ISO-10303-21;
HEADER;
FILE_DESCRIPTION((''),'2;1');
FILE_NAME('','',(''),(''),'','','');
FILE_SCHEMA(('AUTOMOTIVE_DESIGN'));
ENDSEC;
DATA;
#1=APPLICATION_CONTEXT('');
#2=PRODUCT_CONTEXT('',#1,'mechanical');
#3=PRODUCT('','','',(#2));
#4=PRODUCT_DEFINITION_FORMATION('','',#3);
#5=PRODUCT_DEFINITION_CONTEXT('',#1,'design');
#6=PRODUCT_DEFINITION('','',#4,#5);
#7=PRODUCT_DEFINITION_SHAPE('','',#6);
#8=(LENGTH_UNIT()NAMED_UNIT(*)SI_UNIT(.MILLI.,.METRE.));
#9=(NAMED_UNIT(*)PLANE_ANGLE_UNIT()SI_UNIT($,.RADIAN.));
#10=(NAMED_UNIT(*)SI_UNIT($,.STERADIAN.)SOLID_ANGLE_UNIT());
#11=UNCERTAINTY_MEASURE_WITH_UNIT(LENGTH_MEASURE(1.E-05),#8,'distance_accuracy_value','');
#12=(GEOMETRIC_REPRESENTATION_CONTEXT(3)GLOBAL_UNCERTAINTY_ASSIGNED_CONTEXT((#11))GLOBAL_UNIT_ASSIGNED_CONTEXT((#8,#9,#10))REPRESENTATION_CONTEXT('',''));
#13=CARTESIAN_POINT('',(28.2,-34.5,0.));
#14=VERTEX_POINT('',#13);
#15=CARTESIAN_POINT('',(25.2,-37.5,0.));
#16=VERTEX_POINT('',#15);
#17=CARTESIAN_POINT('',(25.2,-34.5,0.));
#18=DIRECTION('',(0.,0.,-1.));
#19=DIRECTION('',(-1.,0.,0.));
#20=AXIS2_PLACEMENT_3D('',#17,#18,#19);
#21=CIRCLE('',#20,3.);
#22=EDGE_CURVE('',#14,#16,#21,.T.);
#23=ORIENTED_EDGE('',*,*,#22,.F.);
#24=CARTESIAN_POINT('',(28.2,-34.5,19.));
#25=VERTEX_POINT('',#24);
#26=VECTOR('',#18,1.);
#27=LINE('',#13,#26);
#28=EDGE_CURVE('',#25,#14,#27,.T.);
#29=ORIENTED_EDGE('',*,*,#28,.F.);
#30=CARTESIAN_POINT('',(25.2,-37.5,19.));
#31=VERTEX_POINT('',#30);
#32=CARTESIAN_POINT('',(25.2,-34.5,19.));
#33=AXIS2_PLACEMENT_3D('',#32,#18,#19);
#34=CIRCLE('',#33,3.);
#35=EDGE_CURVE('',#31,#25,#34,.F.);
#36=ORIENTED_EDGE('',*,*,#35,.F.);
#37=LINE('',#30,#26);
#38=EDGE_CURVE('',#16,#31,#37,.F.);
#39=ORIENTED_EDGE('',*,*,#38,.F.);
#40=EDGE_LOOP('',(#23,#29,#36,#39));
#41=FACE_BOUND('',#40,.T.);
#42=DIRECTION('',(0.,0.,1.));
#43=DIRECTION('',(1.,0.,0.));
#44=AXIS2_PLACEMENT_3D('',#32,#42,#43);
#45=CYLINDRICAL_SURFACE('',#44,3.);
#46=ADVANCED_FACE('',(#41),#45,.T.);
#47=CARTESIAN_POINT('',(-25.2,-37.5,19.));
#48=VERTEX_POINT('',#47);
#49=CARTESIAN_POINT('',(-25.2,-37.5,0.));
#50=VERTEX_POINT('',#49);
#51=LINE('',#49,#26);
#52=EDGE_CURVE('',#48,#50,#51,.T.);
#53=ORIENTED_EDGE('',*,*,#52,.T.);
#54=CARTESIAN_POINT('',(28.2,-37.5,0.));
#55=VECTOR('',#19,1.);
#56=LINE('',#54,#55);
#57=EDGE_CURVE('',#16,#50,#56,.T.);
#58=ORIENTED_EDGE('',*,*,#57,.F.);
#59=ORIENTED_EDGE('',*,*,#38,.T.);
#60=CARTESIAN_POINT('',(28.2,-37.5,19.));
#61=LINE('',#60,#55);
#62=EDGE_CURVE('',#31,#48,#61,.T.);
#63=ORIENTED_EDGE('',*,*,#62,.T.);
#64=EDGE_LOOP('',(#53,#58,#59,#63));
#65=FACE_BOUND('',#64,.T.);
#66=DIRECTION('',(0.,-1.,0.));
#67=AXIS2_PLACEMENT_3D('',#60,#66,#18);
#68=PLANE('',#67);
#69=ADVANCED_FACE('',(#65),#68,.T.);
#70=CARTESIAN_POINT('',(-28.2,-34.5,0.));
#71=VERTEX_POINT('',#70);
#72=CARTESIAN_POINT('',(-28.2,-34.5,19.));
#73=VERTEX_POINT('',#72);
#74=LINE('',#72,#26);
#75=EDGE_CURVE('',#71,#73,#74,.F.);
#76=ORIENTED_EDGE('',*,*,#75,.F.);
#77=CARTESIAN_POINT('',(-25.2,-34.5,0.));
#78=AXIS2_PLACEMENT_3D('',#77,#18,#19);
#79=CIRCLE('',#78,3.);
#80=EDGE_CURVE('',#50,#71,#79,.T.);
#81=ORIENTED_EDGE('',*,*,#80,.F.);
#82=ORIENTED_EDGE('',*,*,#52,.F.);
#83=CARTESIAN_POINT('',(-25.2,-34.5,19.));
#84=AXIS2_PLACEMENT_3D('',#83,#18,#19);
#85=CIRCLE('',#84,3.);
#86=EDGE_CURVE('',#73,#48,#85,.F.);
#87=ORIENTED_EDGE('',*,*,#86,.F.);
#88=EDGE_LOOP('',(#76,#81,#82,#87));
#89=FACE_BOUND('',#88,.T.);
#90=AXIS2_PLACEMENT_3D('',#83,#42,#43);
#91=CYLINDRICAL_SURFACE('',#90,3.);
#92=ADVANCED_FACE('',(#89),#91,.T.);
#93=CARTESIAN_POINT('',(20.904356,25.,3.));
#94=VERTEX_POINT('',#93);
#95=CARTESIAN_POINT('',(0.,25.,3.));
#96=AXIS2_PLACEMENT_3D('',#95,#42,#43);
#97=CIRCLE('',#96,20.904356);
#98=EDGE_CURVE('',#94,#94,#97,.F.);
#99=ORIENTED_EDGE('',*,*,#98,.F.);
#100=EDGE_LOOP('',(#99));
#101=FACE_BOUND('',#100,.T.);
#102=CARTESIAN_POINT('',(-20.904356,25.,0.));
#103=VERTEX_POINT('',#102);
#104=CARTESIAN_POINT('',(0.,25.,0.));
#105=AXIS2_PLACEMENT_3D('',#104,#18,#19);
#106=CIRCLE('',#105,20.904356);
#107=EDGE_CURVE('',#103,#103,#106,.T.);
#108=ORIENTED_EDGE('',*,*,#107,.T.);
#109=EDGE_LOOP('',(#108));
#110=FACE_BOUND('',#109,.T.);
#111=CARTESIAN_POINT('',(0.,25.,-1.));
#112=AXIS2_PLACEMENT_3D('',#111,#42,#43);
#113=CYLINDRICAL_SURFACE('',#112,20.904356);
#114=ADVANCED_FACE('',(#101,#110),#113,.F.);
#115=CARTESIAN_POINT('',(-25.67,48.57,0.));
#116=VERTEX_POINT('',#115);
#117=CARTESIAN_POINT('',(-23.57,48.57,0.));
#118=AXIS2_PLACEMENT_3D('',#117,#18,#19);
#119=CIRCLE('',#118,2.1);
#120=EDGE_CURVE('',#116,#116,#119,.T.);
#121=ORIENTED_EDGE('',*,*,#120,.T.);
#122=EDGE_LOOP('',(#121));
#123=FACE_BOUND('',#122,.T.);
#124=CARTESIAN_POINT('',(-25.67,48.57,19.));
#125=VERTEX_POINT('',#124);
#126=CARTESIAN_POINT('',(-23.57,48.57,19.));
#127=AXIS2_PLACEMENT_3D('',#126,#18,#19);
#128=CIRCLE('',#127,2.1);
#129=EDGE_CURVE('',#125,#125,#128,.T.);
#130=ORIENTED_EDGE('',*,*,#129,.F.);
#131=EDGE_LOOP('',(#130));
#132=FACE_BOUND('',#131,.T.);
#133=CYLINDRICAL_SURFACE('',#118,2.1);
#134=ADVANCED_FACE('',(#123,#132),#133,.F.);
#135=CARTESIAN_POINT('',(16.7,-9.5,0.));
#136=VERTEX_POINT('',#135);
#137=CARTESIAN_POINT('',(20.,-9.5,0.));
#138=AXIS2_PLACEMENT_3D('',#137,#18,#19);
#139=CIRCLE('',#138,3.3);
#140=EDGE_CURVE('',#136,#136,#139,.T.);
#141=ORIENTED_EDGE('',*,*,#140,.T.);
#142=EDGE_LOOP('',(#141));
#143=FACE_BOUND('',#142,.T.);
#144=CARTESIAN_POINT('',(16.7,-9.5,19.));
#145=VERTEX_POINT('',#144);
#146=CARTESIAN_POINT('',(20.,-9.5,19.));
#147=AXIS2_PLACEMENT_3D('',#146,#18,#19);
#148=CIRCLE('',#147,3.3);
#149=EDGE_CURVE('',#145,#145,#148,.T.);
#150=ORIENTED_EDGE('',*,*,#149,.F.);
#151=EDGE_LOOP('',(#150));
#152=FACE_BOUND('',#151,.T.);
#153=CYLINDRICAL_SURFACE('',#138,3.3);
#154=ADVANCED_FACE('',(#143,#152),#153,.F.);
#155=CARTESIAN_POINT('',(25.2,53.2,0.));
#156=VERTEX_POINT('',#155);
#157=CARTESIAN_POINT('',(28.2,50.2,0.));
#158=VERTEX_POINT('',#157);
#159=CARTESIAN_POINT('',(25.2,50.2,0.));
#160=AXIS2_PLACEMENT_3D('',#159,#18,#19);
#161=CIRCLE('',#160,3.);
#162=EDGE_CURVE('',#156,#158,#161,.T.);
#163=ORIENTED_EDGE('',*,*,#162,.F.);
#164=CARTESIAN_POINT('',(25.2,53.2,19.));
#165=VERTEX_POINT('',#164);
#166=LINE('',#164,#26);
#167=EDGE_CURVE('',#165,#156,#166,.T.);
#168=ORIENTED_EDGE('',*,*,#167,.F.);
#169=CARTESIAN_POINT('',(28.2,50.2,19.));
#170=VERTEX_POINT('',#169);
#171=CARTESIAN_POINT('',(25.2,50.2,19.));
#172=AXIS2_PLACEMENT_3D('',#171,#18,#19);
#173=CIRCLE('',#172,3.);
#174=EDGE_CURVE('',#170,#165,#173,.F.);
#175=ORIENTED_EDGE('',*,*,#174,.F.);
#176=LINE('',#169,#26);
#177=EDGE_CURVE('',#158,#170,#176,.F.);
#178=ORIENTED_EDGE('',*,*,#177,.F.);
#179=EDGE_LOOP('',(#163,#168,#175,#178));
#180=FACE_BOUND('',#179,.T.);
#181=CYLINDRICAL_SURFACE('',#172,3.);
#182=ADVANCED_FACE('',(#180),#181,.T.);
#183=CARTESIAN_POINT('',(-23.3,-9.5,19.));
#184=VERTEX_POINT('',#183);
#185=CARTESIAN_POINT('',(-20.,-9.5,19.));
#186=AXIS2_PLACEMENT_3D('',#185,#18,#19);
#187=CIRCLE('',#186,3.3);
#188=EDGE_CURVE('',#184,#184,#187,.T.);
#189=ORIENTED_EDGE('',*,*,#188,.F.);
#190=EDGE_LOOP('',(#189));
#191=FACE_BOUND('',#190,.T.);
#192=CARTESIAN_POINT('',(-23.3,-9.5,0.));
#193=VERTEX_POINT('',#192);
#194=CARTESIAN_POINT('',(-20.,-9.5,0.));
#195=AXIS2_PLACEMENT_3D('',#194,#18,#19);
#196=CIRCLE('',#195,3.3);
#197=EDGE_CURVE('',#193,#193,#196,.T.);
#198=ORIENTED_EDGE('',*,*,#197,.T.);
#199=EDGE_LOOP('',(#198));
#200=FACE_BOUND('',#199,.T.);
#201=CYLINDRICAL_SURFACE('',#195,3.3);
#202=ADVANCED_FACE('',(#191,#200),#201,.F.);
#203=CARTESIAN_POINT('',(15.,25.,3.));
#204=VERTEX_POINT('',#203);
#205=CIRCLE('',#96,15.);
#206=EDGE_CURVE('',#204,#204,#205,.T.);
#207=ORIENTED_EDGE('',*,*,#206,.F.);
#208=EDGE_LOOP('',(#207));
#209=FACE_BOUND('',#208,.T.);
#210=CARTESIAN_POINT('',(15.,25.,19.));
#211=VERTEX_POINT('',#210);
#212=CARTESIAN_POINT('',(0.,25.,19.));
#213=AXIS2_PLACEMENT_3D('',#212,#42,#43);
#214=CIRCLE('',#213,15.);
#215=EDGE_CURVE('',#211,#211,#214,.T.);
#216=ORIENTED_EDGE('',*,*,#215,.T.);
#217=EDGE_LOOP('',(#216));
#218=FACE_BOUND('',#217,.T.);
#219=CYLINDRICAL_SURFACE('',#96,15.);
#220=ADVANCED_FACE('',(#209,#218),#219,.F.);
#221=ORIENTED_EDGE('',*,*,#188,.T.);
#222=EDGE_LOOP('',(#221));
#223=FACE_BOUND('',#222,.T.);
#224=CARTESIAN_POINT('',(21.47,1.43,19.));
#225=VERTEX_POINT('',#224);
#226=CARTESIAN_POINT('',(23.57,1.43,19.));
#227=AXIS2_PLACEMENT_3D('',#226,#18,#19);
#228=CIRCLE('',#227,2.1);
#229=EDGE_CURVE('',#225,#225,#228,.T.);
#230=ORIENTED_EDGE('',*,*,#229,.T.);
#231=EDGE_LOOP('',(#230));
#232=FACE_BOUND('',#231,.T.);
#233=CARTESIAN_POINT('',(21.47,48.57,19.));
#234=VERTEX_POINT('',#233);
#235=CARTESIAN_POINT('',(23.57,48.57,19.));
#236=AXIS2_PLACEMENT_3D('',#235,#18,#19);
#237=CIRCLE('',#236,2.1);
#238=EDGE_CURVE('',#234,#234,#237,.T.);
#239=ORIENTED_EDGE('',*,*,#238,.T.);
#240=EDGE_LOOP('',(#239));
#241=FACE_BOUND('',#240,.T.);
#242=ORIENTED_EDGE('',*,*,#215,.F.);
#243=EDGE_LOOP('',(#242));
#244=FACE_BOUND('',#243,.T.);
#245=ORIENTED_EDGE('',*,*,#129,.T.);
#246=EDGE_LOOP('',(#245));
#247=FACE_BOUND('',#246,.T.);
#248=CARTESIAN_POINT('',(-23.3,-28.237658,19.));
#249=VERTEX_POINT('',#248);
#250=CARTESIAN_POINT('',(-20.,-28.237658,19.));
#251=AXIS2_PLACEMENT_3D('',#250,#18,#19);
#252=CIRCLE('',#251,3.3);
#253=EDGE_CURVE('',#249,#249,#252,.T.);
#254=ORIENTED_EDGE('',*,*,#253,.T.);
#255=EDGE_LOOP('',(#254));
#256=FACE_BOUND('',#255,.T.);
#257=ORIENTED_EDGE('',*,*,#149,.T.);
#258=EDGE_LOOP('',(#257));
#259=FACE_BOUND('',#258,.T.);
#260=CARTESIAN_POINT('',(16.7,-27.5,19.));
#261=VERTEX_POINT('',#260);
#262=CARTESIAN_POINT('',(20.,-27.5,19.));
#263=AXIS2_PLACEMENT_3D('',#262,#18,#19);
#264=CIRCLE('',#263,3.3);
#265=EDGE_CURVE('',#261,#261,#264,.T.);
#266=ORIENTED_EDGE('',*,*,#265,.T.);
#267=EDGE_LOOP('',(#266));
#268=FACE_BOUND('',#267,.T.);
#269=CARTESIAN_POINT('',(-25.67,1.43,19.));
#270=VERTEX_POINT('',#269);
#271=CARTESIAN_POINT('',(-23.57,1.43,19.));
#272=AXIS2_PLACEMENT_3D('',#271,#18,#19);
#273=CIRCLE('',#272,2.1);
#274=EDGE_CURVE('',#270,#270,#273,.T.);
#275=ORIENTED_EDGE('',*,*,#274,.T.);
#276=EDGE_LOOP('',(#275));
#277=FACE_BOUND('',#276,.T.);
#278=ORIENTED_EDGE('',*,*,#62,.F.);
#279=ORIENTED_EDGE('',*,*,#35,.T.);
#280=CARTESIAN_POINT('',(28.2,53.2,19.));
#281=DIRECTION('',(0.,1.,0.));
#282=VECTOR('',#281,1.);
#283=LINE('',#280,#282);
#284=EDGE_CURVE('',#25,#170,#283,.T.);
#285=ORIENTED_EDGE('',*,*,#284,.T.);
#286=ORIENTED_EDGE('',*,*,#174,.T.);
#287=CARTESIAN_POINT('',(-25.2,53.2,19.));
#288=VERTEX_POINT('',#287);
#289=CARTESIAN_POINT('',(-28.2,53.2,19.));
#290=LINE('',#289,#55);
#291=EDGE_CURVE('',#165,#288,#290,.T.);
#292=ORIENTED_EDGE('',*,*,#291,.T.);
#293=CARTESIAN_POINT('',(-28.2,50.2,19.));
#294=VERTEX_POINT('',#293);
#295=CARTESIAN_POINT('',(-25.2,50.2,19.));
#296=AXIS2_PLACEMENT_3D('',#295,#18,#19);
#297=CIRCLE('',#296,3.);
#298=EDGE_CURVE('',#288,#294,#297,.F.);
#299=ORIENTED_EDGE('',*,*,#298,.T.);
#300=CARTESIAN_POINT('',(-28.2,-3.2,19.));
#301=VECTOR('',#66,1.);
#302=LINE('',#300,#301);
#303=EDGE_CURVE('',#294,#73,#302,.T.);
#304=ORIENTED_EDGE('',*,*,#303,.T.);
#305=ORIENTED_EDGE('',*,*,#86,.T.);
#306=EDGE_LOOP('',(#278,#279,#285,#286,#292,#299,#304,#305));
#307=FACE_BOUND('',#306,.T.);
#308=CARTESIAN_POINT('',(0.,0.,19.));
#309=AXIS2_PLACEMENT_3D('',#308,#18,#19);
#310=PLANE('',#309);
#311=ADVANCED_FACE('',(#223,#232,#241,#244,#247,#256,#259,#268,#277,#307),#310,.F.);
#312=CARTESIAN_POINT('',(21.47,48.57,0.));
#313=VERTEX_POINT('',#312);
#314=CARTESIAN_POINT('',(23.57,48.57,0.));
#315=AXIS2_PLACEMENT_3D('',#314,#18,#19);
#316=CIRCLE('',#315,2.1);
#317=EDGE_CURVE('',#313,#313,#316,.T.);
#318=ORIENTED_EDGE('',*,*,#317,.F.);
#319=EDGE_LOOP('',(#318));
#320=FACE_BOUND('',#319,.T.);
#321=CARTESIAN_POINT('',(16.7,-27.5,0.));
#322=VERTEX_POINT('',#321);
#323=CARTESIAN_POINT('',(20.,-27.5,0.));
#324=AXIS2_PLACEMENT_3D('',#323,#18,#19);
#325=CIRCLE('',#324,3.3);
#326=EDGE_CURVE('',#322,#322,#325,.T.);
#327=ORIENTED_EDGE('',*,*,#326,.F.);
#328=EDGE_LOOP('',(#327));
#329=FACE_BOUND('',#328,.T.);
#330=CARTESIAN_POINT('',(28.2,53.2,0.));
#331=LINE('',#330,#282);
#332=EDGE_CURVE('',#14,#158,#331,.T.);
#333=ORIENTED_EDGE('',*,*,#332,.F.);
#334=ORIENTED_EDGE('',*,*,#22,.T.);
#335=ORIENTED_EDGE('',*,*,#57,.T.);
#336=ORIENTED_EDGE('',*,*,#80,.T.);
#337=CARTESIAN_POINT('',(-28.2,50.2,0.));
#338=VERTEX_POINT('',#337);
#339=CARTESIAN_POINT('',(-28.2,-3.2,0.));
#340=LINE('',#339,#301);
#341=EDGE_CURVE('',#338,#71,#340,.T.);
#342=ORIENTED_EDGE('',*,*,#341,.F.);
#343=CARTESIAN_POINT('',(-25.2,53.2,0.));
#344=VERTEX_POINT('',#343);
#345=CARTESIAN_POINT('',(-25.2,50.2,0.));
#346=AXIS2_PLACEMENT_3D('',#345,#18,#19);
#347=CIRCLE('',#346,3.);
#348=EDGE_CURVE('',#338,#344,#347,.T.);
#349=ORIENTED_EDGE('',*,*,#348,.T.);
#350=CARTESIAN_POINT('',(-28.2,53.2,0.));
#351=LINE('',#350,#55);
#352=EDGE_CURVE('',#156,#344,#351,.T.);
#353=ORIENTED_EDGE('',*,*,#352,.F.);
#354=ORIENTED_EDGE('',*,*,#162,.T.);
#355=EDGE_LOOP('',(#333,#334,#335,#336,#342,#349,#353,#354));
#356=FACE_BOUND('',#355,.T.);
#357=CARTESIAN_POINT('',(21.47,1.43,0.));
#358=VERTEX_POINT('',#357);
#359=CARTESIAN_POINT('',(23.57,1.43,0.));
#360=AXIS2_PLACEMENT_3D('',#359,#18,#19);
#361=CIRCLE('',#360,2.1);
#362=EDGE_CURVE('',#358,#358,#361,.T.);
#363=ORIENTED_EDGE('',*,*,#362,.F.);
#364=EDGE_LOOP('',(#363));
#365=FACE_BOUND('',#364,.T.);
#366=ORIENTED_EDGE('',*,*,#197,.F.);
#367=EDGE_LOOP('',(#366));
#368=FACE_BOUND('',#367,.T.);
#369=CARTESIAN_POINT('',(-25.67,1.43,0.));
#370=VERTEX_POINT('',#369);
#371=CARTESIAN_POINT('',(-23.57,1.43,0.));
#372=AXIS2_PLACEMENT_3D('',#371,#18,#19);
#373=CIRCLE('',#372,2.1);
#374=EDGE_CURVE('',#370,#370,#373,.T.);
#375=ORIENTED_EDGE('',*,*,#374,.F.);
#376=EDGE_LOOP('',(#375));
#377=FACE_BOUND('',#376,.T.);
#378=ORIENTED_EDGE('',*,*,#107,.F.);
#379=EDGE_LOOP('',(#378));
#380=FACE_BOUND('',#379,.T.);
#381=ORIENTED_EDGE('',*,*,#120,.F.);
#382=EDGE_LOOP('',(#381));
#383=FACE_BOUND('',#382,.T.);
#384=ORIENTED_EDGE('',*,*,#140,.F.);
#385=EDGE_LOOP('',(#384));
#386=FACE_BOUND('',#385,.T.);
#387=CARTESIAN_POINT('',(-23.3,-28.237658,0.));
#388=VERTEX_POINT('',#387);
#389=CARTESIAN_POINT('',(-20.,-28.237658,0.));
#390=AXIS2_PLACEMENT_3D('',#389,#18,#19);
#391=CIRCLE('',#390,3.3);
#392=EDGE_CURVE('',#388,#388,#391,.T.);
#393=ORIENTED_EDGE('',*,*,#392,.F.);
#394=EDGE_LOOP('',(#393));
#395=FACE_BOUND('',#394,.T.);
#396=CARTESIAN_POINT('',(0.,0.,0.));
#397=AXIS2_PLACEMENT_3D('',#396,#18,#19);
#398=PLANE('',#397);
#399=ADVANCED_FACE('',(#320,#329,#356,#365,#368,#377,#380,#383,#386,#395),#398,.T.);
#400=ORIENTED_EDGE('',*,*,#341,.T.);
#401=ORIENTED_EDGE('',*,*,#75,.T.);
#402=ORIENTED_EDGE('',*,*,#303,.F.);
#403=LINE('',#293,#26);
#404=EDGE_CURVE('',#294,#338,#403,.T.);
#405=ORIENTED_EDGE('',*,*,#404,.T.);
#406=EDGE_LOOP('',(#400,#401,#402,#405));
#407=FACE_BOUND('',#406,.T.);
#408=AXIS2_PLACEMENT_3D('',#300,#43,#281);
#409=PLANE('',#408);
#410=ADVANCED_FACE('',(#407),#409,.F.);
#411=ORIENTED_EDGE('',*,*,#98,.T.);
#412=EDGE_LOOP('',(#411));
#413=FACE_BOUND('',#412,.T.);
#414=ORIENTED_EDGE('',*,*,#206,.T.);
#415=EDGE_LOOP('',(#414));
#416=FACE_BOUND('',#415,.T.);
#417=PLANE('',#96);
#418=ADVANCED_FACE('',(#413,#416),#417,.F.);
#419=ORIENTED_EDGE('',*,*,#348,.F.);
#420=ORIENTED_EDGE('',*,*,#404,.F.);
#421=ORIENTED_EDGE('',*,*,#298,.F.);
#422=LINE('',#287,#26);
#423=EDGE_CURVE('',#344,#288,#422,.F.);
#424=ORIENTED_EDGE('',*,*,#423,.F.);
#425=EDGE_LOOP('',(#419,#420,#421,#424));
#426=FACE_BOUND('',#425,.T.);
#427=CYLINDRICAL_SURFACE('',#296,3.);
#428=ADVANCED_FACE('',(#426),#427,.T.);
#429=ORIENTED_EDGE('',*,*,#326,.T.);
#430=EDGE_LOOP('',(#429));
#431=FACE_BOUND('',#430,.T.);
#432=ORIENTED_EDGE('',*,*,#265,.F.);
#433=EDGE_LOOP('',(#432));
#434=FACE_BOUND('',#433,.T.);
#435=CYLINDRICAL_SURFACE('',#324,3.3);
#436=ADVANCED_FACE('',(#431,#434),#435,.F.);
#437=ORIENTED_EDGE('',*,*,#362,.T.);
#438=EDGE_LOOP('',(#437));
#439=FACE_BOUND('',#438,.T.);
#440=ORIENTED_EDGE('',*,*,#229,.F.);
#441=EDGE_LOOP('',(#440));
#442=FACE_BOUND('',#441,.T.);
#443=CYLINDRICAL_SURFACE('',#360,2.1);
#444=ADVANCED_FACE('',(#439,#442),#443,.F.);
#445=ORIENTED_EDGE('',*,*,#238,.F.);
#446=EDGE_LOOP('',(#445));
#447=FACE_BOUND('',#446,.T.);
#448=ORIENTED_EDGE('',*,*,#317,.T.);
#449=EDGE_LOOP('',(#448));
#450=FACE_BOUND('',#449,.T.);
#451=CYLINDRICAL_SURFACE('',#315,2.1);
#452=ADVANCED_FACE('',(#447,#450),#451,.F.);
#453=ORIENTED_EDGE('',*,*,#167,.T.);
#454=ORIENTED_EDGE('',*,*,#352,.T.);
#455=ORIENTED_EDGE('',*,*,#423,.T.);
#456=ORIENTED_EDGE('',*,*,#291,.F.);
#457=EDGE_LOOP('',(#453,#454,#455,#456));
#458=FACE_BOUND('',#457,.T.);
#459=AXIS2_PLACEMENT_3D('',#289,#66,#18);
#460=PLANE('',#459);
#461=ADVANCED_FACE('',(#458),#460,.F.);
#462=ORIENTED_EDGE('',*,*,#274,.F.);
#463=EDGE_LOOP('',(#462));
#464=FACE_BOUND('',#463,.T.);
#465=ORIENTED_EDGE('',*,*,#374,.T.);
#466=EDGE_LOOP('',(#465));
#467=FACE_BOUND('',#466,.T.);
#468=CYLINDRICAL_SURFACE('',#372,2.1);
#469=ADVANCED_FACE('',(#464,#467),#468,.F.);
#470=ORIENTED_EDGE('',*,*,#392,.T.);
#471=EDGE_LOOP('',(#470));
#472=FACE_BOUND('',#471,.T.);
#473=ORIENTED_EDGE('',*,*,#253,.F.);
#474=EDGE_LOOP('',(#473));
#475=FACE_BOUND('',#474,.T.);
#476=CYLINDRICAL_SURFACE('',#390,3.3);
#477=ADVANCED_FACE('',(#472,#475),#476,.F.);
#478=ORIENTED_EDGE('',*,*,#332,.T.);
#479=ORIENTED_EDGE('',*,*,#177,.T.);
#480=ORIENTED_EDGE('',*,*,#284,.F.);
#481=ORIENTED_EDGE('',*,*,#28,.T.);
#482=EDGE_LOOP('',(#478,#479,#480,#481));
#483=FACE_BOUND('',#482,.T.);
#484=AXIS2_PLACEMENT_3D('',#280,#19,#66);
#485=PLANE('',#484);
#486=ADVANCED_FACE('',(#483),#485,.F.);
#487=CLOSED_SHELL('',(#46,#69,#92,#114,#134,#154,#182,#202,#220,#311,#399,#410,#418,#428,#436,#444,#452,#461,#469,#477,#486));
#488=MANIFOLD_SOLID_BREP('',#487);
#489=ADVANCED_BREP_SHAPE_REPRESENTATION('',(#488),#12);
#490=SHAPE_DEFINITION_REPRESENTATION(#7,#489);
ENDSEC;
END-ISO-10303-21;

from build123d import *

# Parameters (mm, degrees)
SKETCH1_W               = 56.4
SKETCH1_H               = 56.4
BOSS_EXTRUDE1_DEPTH     = 19
SKETCH2_R               = 20.904355549
CUT_EXTRUDE2_DEPTH      = 20
SKETCH3_W               = 56.4
SKETCH3_H               = 34.3
BOSS_EXTRUDE2_DEPTH     = 19
FILLET1_R               = 3
TAP_DRILL_FOR_M5_TAP1_D = 4.2
M6_CLEARANCE_HOLE1_D    = 6.6
SKETCH8_R               = 20.904355549
SKETCH8_R_2             = 15
BOSS_EXTRUDE3_DEPTH     = 16


with BuildPart() as part:
    # Sketch1 → Boss-Extrude1 (new body)
    with BuildSketch(Plane.XY):
        with Locations((0, 25)):
            Rectangle(SKETCH1_W, SKETCH1_H)
    extrude(amount=BOSS_EXTRUDE1_DEPTH)

    # Sketch2 → Cut-Extrude2 (cut)
    with BuildSketch(Plane.XY.offset(19)):
        with Locations((0, 25)):
            Circle(SKETCH2_R)
    extrude(amount=-CUT_EXTRUDE2_DEPTH, mode=Mode.SUBTRACT)

    # Sketch3 → Boss-Extrude2 (add)
    with BuildSketch(Plane(origin=(0, 0, 0), x_dir=(-1, 0, 0), z_dir=(0, 0, -1))):
        with Locations((0, -20.35)):
            Rectangle(SKETCH3_W, SKETCH3_H)
    extrude(amount=-BOSS_EXTRUDE2_DEPTH)

    # Fillet1
    fillet1_edges = [part.edges().sort_by_distance(p)[0] for p in [
        (28.2, -37.5, 9.5),
        (-28.2, -37.5, 9.5),
        (28.2, 53.2, 9.5),
        (-28.2, 53.2, 9.5),
    ]]
    fillet(fillet1_edges, radius=FILLET1_R)

    # Tap Drill for M5 Tap1 (through all)
    with Locations(Plane(origin=(0, 0, 0), x_dir=(-1, 0, 0), z_dir=(0, 0, -1))):
        with Locations((-23.57, 48.57), (23.57, 48.57), (-23.57, 1.43), (23.57, 1.43)):
            Hole(TAP_DRILL_FOR_M5_TAP1_D / 2)

    # M6 Clearance Hole1 (through all)
    with Locations(Plane(origin=(0, 0, 0), x_dir=(-1, 0, 0), z_dir=(0, 0, -1))):
        with Locations((-20, -9.5), (-20, -27.5), (20, -28.237657735), (20, -9.5)):
            Hole(M6_CLEARANCE_HOLE1_D / 2)

    # Sketch8 → Boss-Extrude3 (add)
    with BuildSketch(Plane.XY.offset(19)):
        with Locations((0, 25)):
            Circle(SKETCH8_R)
        with Locations((0, 25)):
            Circle(SKETCH8_R_2, mode=Mode.SUBTRACT)
    extrude(amount=-BOSS_EXTRUDE3_DEPTH)


solid = part.part
